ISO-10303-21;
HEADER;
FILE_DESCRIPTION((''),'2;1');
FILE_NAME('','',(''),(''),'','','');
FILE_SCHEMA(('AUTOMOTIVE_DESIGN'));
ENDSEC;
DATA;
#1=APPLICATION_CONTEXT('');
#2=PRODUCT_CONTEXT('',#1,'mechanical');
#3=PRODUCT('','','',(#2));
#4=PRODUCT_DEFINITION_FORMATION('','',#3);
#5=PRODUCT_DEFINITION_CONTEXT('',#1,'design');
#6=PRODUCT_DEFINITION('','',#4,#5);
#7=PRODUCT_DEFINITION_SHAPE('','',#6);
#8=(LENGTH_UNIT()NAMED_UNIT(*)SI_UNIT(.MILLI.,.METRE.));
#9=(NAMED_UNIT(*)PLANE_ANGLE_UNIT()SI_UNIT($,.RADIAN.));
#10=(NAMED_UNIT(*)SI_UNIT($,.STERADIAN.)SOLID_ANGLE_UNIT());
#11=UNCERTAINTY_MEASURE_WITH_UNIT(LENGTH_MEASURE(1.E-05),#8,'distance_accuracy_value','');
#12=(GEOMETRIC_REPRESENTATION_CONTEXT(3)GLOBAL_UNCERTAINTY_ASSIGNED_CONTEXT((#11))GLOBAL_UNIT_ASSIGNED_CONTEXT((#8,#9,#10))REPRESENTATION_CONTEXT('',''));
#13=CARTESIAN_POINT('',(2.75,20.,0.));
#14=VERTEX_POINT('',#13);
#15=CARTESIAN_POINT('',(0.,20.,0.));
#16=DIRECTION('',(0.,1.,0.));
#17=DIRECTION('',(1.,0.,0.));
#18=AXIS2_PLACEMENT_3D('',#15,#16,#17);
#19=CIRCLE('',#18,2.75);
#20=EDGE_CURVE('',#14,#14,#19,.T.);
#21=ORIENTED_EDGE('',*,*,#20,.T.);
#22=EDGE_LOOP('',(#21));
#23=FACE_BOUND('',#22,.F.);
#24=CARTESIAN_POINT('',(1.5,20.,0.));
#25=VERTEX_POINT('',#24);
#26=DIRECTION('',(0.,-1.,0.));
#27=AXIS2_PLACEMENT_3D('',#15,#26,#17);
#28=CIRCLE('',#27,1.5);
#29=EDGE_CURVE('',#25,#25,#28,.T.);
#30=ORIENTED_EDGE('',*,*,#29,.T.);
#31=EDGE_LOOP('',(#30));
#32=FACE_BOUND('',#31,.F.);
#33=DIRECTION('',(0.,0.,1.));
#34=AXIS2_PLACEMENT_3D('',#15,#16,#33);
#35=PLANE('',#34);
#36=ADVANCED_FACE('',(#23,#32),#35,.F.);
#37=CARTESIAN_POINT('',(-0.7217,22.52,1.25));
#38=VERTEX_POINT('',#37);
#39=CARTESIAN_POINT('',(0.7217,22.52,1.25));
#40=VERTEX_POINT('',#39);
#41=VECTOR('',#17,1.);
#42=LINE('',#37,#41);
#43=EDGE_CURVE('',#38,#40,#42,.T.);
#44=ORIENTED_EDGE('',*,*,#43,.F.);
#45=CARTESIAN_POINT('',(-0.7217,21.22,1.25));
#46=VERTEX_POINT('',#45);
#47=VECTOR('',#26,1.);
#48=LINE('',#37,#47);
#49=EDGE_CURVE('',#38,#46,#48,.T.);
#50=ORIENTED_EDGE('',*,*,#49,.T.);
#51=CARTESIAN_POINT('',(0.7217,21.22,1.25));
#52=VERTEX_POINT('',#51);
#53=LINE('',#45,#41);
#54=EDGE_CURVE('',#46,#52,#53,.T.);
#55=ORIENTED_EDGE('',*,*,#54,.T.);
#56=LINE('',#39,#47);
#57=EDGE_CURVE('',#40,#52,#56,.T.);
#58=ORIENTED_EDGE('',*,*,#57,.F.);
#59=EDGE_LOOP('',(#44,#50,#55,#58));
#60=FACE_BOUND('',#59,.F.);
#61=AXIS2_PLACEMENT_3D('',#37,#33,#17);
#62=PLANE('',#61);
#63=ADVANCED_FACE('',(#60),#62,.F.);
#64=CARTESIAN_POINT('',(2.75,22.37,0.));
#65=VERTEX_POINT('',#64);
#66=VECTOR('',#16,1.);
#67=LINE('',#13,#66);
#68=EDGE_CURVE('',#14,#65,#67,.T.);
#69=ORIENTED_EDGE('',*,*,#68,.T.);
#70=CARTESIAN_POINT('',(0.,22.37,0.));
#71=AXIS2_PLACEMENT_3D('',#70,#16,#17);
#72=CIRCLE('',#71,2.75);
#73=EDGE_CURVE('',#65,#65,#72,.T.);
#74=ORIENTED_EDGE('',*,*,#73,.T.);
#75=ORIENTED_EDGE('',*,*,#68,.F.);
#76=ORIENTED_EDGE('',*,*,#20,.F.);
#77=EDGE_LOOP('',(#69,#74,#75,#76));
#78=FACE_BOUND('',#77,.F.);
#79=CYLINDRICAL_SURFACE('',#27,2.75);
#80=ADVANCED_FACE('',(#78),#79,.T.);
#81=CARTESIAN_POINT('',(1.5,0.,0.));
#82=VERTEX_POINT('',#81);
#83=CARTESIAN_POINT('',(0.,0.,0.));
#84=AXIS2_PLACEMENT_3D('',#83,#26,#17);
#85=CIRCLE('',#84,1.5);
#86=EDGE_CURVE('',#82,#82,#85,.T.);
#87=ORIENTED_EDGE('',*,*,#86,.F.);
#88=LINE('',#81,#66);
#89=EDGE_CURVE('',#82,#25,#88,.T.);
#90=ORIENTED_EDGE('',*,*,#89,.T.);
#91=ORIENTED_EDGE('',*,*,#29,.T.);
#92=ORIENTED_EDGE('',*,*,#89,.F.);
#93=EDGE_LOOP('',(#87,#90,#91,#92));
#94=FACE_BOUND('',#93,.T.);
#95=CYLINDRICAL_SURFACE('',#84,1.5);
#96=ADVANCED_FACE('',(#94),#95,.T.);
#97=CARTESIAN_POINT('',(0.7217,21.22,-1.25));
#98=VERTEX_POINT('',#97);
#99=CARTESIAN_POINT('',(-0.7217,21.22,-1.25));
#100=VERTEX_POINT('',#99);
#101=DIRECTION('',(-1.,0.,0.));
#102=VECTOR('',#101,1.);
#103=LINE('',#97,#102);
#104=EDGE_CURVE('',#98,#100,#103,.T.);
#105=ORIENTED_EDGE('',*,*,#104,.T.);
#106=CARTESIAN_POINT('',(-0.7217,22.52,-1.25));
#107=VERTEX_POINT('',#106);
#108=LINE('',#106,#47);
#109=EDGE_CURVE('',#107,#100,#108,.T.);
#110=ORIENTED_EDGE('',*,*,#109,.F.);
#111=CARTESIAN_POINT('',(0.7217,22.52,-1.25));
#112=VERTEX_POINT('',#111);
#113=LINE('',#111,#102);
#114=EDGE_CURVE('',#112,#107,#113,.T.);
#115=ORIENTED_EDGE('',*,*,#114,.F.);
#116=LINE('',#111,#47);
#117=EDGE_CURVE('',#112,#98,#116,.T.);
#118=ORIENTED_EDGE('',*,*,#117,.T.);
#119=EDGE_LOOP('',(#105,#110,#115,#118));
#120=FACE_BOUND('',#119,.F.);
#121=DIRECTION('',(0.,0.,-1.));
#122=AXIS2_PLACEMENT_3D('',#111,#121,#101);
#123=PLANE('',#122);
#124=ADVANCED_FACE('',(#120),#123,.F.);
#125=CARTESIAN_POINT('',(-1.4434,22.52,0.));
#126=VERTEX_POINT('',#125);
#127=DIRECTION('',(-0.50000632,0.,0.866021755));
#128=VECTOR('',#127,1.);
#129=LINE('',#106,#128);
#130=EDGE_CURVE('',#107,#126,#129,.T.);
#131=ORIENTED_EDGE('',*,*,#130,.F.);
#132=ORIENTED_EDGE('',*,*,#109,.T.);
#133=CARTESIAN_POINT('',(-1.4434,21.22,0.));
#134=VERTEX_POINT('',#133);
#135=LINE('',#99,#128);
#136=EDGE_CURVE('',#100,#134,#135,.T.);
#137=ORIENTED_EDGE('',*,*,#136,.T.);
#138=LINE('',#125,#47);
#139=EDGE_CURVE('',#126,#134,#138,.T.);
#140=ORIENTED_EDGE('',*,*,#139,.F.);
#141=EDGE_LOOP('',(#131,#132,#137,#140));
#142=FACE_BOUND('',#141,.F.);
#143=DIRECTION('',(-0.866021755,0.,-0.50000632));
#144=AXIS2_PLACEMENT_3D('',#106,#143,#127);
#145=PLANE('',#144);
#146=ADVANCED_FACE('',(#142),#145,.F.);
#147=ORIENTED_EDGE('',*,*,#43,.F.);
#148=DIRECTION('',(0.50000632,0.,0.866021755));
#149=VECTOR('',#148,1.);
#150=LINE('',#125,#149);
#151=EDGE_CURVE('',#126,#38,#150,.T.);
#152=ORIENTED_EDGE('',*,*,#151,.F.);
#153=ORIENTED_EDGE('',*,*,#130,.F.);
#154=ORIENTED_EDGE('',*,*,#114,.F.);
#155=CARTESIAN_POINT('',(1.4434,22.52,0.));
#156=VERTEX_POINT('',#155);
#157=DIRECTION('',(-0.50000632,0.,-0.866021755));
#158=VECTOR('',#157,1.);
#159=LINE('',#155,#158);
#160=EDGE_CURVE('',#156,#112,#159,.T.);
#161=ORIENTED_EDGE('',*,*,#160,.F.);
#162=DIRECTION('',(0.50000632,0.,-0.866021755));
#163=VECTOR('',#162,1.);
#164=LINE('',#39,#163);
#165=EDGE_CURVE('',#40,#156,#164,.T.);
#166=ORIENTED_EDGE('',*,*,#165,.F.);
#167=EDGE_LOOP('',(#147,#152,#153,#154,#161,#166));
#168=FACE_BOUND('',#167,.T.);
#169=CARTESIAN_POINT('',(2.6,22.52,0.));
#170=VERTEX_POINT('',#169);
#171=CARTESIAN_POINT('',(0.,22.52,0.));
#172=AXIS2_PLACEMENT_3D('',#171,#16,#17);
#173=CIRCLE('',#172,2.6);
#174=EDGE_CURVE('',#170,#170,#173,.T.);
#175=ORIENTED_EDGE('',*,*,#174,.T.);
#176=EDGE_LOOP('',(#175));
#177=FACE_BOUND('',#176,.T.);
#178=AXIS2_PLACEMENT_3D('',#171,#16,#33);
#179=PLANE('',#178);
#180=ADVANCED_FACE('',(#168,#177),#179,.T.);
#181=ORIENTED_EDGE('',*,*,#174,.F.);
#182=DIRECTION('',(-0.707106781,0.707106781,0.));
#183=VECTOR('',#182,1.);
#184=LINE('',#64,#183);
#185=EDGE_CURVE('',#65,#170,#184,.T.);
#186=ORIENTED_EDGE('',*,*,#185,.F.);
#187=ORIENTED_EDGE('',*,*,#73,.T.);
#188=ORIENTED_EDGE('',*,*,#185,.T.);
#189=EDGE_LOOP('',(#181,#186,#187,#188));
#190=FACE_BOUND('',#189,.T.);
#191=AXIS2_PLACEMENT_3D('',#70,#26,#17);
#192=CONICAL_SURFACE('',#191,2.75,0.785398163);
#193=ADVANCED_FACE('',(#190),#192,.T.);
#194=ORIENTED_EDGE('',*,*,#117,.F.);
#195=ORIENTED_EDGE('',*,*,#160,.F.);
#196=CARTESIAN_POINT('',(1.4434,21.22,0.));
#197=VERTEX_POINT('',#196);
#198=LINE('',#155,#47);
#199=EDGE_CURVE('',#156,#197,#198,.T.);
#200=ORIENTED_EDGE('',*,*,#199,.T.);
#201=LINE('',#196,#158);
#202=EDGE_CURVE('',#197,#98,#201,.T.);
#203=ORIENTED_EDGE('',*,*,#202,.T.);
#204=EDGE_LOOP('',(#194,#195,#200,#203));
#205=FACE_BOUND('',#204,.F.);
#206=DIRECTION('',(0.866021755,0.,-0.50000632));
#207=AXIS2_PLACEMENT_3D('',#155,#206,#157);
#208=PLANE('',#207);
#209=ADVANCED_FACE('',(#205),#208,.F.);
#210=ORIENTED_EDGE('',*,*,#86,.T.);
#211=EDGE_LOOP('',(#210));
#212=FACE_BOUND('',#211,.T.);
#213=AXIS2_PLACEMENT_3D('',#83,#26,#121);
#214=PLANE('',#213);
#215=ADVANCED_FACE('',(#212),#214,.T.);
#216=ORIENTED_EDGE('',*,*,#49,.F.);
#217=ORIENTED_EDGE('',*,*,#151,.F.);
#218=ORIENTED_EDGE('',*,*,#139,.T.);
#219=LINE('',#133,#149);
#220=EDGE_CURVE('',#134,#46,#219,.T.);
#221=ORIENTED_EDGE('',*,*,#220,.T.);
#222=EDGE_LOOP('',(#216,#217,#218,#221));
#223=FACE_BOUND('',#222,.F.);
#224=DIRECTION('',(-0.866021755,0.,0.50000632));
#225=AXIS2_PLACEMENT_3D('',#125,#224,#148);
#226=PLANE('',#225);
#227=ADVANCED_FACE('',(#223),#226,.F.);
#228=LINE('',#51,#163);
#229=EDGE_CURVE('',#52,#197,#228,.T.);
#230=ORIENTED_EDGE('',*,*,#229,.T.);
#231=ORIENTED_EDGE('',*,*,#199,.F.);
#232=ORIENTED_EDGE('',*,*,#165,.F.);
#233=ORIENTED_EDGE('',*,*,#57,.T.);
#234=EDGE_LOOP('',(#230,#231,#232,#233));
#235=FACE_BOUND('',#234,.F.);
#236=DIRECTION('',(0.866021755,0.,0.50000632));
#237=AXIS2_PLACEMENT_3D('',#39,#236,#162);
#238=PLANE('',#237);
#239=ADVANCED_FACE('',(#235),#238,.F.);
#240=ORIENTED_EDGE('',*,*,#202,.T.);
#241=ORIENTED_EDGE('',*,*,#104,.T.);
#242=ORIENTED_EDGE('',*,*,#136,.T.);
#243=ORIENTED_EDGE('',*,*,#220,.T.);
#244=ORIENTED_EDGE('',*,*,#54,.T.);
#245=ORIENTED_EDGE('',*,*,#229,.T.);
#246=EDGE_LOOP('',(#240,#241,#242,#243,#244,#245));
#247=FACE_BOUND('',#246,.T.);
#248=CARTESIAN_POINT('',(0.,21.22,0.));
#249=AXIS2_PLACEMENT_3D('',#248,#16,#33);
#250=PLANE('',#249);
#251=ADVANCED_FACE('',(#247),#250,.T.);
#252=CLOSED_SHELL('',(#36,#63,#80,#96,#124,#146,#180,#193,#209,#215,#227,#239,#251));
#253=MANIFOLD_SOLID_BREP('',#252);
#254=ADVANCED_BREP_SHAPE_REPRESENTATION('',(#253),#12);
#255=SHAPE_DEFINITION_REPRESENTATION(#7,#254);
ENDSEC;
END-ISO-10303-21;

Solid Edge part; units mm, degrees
sketch "Sketch1" plane through (0, 0, 0) normal (0, -1, 0) x (1, 0, 0)
  circle A0 centre (0, 0) radius 1.5
extrude "Protrusion1" add sketch "Sketch1" against normal blind 20
sketch "Sketch2" plane through (0, 20, 0) normal (0, 1, 0) x (1, 0, 0)
  circle A0 centre (0, 0) radius 2.75
extrude "ExtrudedProtrusion_2" add sketch "Sketch2" along normal blind 2.52
sketch "Sketch3" plane through (0, 22.52, 0) normal (0, 1, 0) x (-1, 0, 0)
  line L0 (0.7217, 1.25) -> (-0.7217, 1.25)
  line L1 (-0.7217, 1.25) -> (-1.4434, 0)
  line L2 (-1.4434, 0) -> (-0.7217, -1.25)
  line L3 (-0.7217, -1.25) -> (0.7217, -1.25)
  line L4 (0.7217, -1.25) -> (1.4434, 0)
  line L5 (1.4434, 0) -> (0.7217, 1.25)
  dimension "D1" = 2.5
extrude "Cutout1" cut sketch "Sketch3" against normal blind 1.3
chamfer "Chamfer_1" distance 0.15 angle 45 1 edges at (-2.75, 22.52, 0)
properties material "Nylon, general purpose"
